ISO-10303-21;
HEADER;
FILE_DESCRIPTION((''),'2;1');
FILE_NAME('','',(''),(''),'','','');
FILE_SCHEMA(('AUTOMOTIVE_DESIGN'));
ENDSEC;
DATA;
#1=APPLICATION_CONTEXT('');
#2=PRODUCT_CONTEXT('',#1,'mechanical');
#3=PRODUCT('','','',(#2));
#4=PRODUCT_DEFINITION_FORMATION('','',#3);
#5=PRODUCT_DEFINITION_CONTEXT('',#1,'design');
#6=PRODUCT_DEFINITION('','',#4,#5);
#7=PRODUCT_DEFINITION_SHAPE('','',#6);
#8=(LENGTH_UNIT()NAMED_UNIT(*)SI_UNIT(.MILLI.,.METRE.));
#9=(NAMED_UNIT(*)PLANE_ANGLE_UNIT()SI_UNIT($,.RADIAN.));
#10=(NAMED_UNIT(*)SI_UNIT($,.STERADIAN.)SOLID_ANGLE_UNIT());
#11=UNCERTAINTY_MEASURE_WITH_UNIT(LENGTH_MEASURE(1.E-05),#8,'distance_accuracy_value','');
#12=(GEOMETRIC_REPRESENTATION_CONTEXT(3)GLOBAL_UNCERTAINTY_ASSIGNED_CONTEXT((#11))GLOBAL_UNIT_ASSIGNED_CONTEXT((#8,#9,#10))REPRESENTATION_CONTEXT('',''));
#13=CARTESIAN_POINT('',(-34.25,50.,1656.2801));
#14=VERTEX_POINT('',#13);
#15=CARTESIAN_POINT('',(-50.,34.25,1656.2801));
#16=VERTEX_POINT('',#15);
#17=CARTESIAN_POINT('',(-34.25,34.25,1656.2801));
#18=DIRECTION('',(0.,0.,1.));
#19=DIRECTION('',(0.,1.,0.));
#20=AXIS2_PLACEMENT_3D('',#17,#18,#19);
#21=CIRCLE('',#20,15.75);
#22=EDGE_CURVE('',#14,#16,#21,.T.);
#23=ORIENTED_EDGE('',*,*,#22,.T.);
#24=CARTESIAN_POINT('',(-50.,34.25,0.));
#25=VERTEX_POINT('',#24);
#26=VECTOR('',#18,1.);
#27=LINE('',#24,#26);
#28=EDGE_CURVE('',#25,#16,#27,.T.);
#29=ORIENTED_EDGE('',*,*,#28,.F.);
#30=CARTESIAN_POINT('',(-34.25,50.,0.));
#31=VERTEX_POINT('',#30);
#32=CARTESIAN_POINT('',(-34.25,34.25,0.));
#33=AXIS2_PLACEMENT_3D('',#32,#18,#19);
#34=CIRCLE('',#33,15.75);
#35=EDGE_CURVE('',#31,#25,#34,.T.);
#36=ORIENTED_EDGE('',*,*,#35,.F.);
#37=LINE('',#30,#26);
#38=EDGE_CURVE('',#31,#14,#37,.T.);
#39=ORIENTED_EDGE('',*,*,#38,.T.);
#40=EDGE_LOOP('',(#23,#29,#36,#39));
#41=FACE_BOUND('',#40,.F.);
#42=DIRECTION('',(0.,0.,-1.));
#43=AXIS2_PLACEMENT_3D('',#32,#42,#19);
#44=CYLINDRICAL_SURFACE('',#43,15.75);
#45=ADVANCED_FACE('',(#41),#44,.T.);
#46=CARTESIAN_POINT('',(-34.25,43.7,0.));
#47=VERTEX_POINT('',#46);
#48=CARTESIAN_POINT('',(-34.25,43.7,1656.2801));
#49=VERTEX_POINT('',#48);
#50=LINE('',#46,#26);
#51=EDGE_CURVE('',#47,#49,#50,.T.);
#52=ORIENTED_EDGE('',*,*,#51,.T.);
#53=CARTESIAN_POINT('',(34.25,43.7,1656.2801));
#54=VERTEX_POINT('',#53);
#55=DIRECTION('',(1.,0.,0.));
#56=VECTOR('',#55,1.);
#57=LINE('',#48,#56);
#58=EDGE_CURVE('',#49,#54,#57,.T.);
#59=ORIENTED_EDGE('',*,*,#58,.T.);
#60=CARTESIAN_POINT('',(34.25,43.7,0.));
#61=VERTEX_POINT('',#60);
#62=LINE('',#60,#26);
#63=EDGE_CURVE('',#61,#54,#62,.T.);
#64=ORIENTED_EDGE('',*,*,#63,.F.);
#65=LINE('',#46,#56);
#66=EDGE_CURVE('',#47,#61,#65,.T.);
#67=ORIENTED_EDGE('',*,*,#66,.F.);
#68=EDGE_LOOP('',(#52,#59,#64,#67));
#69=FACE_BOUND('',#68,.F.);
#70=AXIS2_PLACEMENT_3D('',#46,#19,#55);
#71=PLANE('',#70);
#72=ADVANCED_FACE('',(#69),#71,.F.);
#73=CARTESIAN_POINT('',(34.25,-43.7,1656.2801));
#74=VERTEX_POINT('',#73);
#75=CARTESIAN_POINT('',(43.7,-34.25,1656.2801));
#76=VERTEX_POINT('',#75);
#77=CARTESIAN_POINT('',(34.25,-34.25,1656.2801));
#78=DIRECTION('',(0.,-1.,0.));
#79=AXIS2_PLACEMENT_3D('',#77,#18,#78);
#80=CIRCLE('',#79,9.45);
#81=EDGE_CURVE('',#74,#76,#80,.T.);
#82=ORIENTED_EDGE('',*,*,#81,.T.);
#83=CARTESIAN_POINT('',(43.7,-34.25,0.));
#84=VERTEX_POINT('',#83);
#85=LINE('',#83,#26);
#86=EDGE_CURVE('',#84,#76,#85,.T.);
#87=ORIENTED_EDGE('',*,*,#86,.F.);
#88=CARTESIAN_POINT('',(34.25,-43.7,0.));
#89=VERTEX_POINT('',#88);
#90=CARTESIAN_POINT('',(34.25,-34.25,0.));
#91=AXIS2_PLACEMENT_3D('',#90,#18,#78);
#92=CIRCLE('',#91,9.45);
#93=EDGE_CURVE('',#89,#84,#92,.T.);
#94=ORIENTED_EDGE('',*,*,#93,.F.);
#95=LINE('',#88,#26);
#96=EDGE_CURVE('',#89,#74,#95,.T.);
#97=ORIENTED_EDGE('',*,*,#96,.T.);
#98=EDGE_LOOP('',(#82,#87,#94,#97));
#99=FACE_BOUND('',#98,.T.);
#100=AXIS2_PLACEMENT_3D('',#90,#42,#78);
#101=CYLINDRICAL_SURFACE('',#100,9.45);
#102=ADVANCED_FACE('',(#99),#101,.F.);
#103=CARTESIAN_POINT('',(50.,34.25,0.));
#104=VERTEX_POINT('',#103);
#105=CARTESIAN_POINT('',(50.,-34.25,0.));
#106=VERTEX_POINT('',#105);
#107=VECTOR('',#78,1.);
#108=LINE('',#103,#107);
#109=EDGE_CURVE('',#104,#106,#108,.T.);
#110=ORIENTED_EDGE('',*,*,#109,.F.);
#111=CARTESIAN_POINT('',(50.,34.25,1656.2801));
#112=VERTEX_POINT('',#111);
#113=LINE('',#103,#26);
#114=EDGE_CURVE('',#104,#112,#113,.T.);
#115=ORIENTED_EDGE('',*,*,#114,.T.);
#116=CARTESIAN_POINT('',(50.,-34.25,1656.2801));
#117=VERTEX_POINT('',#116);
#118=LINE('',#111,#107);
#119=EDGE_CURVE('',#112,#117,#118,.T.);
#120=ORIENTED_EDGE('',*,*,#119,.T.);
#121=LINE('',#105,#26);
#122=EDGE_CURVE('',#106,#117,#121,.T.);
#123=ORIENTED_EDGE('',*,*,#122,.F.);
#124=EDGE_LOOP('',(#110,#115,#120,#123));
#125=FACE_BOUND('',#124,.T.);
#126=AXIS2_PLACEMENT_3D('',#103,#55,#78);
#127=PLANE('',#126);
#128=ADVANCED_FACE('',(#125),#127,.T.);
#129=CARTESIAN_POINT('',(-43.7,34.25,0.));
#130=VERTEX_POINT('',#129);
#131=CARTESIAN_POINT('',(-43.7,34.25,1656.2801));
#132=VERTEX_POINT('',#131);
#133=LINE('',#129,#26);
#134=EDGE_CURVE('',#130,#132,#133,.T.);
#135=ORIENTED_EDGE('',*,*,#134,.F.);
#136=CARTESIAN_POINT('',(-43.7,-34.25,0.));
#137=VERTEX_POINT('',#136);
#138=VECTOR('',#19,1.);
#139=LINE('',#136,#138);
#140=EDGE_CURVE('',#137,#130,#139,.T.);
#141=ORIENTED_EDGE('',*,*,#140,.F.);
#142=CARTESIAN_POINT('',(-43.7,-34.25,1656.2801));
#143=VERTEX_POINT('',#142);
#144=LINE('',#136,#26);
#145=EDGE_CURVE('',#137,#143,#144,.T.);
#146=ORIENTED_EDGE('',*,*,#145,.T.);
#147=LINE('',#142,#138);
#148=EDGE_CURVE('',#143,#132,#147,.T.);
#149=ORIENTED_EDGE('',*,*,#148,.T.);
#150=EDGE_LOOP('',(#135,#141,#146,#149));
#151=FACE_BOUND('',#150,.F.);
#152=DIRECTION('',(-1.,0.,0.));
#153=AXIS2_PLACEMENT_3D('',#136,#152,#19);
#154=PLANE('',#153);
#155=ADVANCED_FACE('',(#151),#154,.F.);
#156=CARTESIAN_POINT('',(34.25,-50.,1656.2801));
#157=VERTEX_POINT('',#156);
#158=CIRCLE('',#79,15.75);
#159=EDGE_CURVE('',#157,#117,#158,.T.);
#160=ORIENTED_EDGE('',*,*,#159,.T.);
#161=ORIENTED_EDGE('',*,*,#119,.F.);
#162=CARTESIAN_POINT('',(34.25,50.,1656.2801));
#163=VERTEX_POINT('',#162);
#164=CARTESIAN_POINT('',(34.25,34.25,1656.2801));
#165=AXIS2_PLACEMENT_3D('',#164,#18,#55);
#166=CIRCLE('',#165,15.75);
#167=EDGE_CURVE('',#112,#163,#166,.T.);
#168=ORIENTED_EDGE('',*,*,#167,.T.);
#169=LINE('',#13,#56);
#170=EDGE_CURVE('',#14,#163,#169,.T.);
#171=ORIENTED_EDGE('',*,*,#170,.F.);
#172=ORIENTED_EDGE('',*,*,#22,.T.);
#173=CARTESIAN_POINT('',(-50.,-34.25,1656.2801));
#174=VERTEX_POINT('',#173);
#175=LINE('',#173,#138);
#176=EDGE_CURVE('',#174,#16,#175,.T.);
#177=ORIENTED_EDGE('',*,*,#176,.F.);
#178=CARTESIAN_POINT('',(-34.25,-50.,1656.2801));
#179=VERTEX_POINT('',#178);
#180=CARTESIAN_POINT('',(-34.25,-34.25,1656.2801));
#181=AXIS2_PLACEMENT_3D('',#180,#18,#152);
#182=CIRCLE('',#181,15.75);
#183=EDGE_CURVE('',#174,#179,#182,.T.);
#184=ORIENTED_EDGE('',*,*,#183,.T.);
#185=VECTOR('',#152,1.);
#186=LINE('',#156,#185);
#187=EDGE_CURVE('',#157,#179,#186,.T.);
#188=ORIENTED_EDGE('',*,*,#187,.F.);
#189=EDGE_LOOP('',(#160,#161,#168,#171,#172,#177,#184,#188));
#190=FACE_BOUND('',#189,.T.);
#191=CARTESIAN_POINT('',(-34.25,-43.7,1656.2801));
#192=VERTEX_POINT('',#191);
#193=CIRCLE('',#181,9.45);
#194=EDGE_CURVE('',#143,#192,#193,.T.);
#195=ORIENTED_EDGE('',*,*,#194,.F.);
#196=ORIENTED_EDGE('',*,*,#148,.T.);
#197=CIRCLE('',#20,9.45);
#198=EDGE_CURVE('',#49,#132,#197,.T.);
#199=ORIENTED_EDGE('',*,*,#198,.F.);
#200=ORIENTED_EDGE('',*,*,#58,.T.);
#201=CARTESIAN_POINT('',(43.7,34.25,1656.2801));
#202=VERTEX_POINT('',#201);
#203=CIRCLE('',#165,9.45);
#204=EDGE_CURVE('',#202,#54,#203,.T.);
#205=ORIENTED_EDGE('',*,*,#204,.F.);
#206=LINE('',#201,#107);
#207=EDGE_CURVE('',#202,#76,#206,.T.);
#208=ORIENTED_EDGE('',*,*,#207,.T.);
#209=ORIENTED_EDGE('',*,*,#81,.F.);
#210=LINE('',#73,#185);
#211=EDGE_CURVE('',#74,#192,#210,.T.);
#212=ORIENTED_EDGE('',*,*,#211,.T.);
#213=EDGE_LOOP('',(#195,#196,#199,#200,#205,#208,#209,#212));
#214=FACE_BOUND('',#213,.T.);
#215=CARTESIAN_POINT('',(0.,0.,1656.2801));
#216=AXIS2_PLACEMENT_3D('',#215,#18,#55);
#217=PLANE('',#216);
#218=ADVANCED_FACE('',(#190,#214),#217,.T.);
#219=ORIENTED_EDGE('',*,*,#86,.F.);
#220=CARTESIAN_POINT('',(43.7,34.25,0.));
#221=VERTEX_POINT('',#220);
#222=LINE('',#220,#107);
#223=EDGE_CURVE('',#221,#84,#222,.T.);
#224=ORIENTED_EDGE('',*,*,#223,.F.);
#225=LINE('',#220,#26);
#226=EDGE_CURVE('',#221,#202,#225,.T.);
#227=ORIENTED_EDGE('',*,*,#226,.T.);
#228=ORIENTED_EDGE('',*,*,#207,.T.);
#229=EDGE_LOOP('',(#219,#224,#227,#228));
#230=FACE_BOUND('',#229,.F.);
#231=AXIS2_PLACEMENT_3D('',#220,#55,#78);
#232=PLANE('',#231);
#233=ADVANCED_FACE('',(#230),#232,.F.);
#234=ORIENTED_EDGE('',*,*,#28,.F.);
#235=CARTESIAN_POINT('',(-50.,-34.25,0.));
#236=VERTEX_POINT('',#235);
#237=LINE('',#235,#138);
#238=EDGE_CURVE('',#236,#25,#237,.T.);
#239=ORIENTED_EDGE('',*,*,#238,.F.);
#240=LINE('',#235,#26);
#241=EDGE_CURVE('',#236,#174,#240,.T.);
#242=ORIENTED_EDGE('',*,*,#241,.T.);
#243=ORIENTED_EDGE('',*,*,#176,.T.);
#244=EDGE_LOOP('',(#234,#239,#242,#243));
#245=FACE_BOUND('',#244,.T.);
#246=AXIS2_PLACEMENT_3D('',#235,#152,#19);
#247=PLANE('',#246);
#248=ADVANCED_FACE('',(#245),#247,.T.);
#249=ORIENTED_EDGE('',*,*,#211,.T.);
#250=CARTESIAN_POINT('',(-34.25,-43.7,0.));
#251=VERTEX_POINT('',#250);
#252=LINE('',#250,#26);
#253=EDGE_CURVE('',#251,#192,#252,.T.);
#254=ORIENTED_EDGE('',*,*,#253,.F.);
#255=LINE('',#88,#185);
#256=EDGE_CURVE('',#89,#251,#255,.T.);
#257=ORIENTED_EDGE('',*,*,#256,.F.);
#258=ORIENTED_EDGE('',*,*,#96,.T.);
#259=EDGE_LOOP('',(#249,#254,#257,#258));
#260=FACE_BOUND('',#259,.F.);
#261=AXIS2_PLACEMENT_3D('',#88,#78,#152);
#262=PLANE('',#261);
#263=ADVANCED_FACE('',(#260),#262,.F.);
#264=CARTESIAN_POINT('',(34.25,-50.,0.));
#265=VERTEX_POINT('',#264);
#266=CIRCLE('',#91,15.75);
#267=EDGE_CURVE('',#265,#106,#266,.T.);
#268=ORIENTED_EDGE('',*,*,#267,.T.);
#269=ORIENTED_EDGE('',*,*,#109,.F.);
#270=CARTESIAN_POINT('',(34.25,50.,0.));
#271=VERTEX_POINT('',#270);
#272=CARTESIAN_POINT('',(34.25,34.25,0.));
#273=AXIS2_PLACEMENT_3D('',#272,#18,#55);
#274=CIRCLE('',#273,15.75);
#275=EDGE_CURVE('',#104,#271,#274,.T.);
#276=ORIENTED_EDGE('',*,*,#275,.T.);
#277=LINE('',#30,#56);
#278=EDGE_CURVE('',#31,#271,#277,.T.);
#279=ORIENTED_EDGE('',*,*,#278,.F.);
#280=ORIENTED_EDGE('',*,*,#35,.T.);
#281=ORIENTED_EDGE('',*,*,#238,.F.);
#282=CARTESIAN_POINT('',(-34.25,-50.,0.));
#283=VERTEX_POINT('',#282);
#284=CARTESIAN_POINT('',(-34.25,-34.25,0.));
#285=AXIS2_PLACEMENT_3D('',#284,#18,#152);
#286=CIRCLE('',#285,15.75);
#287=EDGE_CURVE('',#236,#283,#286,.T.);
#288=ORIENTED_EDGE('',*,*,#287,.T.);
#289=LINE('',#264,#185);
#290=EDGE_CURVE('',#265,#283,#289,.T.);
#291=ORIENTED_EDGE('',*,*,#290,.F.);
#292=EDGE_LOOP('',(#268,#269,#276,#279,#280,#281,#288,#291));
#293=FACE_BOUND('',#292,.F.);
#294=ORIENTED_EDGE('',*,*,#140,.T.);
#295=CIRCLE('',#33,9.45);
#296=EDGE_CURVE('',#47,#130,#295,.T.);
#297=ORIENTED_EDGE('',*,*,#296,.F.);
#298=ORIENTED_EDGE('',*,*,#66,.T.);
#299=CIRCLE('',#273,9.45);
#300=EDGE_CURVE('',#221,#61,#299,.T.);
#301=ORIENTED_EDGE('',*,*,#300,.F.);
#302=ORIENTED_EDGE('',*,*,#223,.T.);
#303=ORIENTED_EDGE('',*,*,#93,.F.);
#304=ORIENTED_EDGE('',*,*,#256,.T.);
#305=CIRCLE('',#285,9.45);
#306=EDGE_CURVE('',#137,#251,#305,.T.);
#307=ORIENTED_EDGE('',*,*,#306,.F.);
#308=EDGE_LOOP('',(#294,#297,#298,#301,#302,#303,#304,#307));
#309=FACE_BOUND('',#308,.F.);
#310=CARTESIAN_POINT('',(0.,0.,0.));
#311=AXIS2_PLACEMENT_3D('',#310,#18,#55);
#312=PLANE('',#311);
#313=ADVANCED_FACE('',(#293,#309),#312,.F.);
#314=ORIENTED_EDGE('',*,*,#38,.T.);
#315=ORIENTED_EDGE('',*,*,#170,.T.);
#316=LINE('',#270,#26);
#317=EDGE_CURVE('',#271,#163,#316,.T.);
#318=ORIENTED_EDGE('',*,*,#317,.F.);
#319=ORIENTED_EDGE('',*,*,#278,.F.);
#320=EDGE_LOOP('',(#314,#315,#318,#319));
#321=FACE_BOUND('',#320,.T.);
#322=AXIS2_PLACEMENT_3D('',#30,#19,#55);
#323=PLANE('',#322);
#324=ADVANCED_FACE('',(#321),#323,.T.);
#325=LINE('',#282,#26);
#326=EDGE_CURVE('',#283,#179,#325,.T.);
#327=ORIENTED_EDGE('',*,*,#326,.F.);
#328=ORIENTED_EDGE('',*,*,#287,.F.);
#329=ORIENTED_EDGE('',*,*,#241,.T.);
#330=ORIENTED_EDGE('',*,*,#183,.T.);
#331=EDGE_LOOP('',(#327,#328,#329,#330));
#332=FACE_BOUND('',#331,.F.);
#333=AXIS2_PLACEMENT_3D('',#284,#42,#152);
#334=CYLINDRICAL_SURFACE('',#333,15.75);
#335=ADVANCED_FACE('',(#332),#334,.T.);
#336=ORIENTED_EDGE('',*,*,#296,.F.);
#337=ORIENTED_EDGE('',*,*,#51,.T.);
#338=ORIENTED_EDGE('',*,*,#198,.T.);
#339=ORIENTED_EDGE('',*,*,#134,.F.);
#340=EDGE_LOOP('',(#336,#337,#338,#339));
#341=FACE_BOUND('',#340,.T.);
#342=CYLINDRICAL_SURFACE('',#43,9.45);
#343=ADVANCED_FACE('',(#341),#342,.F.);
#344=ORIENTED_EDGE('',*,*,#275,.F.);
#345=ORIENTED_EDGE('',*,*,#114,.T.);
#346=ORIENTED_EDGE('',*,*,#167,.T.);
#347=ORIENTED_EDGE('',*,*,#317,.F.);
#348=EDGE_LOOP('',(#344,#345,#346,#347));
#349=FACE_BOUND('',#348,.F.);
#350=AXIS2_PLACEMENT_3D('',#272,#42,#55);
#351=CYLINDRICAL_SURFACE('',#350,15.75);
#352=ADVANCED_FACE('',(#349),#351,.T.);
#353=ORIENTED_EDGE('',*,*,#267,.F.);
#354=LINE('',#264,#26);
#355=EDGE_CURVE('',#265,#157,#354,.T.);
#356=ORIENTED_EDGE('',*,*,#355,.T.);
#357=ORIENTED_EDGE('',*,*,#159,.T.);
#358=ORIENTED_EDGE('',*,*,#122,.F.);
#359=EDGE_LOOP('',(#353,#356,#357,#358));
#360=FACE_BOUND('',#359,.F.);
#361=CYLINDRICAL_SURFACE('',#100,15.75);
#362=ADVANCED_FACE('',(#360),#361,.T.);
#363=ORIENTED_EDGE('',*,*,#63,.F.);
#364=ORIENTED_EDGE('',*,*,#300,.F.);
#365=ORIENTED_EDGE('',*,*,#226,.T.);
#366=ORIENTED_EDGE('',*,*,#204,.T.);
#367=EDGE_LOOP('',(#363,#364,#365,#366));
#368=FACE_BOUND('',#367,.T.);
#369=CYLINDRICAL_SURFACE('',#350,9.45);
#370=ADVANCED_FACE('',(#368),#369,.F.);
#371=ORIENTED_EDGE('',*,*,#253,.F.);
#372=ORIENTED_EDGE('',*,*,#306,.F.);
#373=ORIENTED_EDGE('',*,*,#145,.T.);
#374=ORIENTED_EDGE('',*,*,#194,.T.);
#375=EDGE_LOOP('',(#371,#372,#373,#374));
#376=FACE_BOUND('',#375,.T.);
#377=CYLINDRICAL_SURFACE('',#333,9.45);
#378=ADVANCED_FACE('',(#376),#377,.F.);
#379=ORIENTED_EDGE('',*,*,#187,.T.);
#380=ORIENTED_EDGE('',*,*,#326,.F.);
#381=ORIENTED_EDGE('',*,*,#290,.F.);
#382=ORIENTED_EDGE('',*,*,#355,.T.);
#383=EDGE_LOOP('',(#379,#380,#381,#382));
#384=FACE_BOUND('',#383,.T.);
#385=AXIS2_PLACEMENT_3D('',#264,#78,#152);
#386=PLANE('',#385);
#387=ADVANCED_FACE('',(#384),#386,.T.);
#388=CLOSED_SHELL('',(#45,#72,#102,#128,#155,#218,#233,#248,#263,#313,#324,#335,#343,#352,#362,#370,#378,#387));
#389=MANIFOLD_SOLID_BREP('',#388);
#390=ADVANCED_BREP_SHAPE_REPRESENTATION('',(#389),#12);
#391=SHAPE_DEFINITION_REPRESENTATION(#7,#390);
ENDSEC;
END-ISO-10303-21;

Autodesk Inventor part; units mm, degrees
ref_plane "YZ Plane" through (0, 0, 0) normal (1, 0, 0) x (0, 1, 0)
ref_plane "Start Plane" through (0, 0, 0) normal (0, 0, 1) x (1, 0, 0)
ref_plane "End Plane" through (0, 0, 1656.2801) normal (0, 0, 1) x (1, 0, 0)
sketch "Sketch" plane through (0, 0, 0) normal (0, 0, 1) x (1, 0, 0)
  line L0 (-50, -34.25) -> (-50, 34.25)
  line L1 (-34.25, 50) -> (34.25, 50)
  line L2 (50, 34.25) -> (50, -34.25)
  line L3 (34.25, -50) -> (-34.25, -50)
  arc A0 (-50, -34.25) -> (-34.25, -50) centre (-34.25, -34.25) ccw
  arc A1 (50, 34.25) -> (34.25, 50) centre (34.25, 34.25) ccw
  arc A2 (-34.25, 50) -> (-50, 34.25) centre (-34.25, 34.25) ccw
  arc A3 (34.25, -50) -> (50, -34.25) centre (34.25, -34.25) ccw
  arc A4 (-34.25, 43.7) -> (-43.7, 34.25) centre (-34.25, 34.25) ccw
  line L4 (-34.25, 43.7) -> (34.25, 43.7)
  arc A5 (43.7, 34.25) -> (34.25, 43.7) centre (34.25, 34.25) ccw
  line L5 (43.7, 34.25) -> (43.7, -34.25)
  arc A6 (34.25, -43.7) -> (43.7, -34.25) centre (34.25, -34.25) ccw
  line L6 (34.25, -43.7) -> (-34.25, -43.7)
  arc A7 (-43.7, -34.25) -> (-34.25, -43.7) centre (-34.25, -34.25) ccw
  line L7 (-43.7, -34.25) -> (-43.7, 34.25)
  line L8 (0, 74.5667) -> (0, -74.5667) construction
  line L9 (-74.5667, 0) -> (74.5667, 0) construction
  dimension "d7" = 15.75
  dimension "d9" = 100
  dimension "d11" = 100
  dimension "d12" = 6.3
  dimension "d15" = 50
  dimension "d16" = 50
extrude "Body" add sketch "Sketch" along normal up to surface (1656.2801 mm away) from surface at 0
sketch "Sketch3" plane through (0, 0, 0) normal (0, 0, 1) x (1, 0, 0)
  line L0 (0, 0) -> (10, 0)
ref_plane "Work Plane3" through (0, 0, 0) normal (0, -1, 0) x (1, 0, 0)
sketch "Sketch4" plane through (0, 0, 0) normal (0, -1, 0) x (1, 0, 0)
  line L0 (-2, 0) -> (12, 0)
  line L1 (-2, 1656.2801) -> (12, 1656.2801)
  dimension "d18" = 1656.2801
equation "\"d7\" = G_IR"
equation "\"d9\" = G_W"
equation "\"d11\" = G_H"
equation "\"d12\" = G_T"
equation "\"d15\" = 0.5 * d9"
equation "\"d16\" = 0.5 * d11"
equation "\"d3\" = G_L"
equation "\"G_W\" = 100"
equation "\"G_H\" = 100"
equation "\"G_T\" = 6.3"
equation "\"G_IR\" = 15.75"
equation "\"G_L\" = d18"
equation "\"G_OFFSET_START\" = 0"
equation "\"G_OFFSET_END\" = 0"
equation "\"d14\" = G_OFFSET_END + B_L"
equation "\"B_L\" = 1656.28008"
properties part number "ISO 4019 - 100x100x6.3 - 1656.28" material "Steel, Mild"
